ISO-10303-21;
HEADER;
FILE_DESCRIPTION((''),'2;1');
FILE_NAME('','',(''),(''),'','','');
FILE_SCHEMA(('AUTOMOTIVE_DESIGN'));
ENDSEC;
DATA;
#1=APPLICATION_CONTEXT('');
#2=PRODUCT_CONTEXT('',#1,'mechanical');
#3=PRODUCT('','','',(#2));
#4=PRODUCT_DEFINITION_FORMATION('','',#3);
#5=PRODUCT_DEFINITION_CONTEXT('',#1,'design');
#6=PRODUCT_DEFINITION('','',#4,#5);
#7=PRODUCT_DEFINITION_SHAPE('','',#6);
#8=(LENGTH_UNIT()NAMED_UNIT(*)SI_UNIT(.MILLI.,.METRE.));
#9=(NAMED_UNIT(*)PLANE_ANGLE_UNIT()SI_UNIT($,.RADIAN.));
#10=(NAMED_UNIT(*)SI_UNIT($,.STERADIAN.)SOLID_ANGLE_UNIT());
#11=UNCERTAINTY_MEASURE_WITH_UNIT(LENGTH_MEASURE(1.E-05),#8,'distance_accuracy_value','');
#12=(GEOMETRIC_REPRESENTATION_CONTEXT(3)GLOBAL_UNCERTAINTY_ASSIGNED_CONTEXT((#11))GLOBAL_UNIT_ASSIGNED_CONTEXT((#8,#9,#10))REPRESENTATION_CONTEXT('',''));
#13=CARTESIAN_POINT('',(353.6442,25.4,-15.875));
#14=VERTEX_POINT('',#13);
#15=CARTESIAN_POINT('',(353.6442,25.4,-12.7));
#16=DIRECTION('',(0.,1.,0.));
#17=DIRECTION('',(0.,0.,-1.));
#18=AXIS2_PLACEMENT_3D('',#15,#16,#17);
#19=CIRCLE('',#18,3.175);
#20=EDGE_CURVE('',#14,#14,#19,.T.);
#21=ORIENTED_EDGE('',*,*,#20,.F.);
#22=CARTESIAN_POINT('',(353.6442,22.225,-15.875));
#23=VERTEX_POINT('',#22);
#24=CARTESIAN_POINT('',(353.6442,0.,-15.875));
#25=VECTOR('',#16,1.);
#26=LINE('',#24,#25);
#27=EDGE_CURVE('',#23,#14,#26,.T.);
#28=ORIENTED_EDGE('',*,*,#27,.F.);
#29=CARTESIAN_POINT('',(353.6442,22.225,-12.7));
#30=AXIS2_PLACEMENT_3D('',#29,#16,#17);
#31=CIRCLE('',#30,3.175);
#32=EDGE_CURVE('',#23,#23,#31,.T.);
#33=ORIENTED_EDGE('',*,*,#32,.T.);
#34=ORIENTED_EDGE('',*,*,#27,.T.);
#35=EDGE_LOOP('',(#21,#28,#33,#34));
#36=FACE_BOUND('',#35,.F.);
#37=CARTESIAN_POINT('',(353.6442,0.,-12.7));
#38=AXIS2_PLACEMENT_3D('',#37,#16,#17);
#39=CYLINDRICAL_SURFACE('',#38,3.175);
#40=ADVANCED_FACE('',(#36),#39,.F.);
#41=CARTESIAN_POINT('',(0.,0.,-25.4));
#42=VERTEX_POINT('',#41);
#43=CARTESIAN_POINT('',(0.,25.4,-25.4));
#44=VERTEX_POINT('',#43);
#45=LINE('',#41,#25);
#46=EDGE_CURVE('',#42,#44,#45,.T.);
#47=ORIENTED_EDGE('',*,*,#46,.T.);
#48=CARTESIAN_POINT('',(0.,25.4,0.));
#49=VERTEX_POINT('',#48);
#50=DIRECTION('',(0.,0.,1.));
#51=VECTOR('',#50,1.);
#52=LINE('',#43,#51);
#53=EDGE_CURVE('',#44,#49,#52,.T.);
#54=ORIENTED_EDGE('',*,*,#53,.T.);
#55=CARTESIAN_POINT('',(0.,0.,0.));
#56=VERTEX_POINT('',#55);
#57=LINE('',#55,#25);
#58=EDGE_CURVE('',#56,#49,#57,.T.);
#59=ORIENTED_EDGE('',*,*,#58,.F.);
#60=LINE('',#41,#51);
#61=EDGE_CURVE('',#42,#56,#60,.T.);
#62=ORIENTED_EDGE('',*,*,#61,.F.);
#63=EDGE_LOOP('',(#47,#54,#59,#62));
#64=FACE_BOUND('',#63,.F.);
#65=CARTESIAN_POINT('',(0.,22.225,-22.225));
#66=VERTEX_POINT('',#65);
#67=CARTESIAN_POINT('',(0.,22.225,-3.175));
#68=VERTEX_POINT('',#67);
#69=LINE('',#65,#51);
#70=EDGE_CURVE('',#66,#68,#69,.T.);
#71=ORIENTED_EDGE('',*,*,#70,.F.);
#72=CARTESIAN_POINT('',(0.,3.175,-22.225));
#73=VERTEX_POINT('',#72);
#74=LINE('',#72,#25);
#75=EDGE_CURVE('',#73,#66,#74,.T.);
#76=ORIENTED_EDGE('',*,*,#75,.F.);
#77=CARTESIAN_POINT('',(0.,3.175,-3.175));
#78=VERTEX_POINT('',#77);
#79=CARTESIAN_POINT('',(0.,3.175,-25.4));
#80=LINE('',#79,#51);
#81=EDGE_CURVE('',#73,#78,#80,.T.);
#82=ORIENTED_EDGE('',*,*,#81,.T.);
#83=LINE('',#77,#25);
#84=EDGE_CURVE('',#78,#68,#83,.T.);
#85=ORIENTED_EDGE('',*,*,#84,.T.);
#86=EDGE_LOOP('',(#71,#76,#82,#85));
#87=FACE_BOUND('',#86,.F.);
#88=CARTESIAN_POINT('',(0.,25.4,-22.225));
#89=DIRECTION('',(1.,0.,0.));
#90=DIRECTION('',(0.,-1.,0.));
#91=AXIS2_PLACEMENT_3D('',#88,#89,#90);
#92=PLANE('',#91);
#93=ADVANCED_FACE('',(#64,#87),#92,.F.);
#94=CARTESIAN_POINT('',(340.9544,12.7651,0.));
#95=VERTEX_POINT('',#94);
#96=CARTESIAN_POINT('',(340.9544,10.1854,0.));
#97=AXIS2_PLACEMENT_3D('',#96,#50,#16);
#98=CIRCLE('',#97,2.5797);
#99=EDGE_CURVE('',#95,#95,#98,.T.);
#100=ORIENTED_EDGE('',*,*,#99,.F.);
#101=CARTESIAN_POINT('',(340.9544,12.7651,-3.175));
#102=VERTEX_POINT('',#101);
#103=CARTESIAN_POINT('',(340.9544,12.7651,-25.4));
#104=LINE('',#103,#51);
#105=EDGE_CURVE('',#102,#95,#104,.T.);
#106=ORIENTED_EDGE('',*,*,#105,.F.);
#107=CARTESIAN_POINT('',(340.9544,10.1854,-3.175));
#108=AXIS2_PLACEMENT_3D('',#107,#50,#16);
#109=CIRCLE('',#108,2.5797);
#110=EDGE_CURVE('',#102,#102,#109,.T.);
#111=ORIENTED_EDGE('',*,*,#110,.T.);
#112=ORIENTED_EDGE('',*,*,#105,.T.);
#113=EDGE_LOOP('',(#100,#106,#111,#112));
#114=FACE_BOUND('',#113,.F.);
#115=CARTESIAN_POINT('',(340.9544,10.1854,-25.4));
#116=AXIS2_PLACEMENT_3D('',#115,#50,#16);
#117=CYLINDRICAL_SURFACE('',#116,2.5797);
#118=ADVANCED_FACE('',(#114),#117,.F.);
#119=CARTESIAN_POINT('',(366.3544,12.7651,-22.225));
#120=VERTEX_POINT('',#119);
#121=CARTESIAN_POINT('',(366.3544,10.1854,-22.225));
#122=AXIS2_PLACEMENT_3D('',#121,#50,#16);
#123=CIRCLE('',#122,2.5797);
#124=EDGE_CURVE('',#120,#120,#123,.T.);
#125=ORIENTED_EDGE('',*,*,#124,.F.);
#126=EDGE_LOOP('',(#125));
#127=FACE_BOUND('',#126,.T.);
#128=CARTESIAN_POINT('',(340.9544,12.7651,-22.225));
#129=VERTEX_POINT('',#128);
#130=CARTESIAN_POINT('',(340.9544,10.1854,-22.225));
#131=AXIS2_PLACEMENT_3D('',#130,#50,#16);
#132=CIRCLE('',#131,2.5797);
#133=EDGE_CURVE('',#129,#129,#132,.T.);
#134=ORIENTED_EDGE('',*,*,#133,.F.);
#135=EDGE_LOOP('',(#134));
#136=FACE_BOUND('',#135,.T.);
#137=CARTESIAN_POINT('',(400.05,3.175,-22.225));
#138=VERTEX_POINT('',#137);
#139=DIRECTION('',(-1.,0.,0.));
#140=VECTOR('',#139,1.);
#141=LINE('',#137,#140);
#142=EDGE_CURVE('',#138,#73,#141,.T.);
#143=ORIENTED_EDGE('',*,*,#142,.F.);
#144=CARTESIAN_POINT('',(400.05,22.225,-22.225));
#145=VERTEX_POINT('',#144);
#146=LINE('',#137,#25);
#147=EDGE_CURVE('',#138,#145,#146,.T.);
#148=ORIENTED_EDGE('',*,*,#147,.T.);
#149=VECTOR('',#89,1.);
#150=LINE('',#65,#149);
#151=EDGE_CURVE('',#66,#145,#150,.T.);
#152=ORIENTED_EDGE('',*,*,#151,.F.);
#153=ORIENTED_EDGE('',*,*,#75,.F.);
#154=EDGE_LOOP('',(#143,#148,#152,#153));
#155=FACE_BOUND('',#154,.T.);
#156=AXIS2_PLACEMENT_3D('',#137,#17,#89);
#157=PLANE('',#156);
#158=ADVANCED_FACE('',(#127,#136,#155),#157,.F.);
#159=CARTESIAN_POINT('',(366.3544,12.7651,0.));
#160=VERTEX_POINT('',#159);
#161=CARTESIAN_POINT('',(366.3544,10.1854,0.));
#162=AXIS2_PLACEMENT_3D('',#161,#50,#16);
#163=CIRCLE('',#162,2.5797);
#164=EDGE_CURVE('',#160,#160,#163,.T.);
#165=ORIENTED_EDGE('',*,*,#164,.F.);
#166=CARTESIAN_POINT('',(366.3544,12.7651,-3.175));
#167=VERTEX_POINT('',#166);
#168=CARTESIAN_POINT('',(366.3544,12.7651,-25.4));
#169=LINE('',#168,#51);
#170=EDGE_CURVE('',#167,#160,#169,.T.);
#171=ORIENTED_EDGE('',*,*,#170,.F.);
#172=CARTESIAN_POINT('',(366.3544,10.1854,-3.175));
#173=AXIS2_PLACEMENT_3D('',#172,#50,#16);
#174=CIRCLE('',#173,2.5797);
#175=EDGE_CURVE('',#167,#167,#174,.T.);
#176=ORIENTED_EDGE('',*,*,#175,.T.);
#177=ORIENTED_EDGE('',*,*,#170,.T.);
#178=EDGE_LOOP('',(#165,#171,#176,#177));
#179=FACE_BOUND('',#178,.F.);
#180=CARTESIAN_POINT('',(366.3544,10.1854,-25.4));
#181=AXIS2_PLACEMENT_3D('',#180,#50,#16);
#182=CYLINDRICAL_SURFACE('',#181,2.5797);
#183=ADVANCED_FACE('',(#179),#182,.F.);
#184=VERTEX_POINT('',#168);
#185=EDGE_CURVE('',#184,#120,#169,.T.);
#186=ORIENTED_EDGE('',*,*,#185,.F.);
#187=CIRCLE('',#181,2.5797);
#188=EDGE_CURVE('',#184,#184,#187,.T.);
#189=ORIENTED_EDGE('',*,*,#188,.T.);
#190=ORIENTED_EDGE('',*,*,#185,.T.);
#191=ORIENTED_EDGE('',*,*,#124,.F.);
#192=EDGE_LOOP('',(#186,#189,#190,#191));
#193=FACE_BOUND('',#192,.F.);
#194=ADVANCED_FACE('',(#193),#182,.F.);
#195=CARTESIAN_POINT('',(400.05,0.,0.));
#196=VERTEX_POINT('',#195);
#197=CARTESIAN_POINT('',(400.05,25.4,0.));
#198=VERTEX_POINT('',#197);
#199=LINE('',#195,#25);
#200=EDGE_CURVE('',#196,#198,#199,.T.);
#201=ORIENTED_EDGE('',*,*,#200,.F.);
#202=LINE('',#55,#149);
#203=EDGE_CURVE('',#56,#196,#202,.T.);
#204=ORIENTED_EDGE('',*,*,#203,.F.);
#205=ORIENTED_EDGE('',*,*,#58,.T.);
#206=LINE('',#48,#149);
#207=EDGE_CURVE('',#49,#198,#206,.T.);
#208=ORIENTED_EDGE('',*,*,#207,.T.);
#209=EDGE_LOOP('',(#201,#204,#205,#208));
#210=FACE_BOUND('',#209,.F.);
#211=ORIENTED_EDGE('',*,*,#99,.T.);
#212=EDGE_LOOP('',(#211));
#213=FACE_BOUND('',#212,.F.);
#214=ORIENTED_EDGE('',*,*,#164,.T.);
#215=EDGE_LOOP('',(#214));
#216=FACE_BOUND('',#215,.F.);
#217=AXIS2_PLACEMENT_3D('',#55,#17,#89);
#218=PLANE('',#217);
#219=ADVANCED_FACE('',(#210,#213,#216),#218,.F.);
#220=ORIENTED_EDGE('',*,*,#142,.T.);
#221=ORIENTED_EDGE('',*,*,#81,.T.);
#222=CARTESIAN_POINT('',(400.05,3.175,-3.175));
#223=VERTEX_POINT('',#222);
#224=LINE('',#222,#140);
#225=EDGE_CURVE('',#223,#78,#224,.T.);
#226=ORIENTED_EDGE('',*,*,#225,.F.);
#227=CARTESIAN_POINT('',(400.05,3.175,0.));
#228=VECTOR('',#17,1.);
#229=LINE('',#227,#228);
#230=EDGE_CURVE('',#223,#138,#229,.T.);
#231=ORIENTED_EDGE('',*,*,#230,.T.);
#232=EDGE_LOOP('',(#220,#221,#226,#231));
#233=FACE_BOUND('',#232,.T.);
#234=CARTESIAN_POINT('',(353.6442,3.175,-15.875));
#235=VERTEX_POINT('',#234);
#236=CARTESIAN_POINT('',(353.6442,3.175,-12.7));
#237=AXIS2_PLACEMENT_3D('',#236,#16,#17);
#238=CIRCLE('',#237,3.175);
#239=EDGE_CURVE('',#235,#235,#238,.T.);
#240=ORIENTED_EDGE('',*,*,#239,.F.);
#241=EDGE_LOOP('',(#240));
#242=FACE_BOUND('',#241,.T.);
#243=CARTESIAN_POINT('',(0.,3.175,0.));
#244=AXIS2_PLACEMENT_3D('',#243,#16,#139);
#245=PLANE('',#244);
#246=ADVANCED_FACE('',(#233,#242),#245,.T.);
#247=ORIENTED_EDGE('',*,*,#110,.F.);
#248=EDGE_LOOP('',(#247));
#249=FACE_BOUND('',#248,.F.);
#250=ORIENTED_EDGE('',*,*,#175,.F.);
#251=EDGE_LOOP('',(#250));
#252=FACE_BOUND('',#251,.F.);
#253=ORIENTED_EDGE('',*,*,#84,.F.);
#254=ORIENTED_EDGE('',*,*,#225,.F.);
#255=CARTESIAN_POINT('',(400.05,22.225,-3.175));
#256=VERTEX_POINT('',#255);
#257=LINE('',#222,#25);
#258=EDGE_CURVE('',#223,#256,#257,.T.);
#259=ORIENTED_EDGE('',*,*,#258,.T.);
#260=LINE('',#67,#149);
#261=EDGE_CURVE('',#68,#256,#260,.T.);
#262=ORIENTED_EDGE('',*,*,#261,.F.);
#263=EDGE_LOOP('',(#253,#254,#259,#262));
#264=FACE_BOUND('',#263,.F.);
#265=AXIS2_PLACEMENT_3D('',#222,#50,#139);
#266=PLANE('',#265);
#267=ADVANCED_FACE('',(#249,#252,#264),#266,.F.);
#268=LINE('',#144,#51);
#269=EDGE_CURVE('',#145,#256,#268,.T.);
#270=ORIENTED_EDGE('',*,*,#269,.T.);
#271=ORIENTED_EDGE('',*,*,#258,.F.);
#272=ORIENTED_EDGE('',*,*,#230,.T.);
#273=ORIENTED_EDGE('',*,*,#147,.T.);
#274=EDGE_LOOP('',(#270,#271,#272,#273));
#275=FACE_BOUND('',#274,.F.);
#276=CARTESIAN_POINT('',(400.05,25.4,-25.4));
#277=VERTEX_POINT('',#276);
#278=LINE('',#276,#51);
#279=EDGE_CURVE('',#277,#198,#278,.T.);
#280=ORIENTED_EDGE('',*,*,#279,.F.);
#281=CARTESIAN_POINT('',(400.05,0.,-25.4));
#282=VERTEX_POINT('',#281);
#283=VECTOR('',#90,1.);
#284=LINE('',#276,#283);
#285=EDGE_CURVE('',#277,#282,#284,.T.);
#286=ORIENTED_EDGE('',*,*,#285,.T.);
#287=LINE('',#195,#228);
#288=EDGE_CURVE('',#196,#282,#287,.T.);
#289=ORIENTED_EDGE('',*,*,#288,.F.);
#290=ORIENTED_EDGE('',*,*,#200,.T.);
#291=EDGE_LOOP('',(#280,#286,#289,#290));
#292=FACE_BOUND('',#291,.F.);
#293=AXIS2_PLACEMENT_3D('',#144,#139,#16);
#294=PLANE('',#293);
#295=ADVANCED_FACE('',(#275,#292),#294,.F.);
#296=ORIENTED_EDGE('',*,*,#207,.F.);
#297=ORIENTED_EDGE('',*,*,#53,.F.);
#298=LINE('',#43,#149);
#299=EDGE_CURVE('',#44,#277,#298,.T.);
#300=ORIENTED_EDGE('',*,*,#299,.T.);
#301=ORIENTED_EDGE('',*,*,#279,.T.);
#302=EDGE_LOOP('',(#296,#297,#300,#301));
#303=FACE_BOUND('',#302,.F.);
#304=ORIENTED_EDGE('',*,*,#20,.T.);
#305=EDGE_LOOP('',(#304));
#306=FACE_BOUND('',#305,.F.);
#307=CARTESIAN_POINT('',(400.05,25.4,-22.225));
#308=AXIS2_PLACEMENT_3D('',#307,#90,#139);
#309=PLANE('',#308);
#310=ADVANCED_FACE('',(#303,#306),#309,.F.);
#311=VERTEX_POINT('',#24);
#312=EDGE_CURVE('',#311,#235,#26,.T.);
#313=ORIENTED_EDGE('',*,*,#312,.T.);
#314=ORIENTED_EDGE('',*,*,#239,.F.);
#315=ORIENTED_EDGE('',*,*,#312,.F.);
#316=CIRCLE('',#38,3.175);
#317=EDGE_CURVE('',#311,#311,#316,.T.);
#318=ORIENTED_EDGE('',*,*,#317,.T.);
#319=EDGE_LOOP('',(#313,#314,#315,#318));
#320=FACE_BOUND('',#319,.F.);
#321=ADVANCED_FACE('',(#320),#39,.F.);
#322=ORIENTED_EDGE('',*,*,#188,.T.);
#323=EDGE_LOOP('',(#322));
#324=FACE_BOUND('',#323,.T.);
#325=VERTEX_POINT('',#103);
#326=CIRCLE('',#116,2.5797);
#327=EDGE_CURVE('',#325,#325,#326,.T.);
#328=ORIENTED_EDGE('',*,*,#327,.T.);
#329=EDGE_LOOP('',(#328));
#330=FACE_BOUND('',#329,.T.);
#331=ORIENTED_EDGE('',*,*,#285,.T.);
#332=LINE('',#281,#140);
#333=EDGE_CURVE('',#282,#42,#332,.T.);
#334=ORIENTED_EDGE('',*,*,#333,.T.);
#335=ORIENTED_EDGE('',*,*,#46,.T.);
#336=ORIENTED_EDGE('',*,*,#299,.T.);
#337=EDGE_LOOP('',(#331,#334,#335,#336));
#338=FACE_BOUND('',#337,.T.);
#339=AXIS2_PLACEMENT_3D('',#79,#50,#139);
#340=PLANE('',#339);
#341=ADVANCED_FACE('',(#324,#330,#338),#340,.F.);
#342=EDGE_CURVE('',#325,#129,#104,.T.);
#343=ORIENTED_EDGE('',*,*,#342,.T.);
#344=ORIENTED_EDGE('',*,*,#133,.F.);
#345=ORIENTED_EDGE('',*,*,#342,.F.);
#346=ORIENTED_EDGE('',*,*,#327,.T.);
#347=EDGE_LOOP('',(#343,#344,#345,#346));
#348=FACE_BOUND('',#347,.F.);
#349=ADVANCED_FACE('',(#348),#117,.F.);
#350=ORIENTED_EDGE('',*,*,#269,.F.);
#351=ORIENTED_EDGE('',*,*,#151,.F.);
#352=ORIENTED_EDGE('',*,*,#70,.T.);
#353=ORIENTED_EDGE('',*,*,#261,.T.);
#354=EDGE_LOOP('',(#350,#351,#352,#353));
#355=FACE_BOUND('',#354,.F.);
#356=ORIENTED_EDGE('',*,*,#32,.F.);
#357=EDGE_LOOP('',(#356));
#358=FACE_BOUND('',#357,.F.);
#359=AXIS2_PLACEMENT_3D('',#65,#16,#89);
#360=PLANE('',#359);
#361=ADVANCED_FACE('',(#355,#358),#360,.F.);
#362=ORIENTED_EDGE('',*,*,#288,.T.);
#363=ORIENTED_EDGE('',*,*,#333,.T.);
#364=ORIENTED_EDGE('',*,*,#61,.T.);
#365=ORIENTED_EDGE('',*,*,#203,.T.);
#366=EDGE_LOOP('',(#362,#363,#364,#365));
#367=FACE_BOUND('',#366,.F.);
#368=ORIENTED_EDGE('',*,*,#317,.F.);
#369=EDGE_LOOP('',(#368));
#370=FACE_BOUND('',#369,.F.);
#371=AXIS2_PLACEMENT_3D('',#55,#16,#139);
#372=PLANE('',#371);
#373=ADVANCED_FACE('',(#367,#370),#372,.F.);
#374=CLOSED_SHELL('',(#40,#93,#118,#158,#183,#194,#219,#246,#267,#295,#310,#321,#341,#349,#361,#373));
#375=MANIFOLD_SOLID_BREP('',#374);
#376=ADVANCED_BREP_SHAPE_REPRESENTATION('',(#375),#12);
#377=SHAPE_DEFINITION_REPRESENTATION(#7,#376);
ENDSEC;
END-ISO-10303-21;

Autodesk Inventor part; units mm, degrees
ref_plane "YZ Plane" through (0, 0, 0) normal (1, 0, 0) x (0, 1, 0)
ref_plane "XZ Plane" through (0, 0, 0) normal (0, 1, 0) x (-1, 0, 0)
sketch "Sketch1" plane through (0, 0, 0) normal (0, 1, 0) x (-1, 0, 0)
  line L0 (0, 0) -> (-400.05, 0)
  line L1 (-400.05, 0) -> (-400.05, -25.4)
  line L2 (-400.05, -25.4) -> (0, -25.4)
  line L3 (0, -25.4) -> (0, 0)
  dimension "d0" = 400.05
  dimension "d1" = 25.4
extrude "Extrusion1" add sketch "Sketch1" along normal blind 3.175
ref_plane "Work Plane1" through (200.025, 0, 0) normal (1, 0, 0) x (0, 0, -1)
sketch "Sketch7" plane through (0, 3.175, 0) normal (0, 1, 0) x (1, 0, 0)
  line L0 (400.05, 0) -> (400.05, 25.4) projected
  line L1 (0, 0) -> (400.05, 0)
  line L2 (400.05, 0) -> (400.05, 3.175)
  line L3 (400.05, 3.175) -> (0, 3.175)
  line L4 (0, 3.175) -> (0, 0)
  dimension "d49" = 3.175
extrude "Extrusion2" add sketch "Sketch7" along normal blind 22.225
ref_plane "Work Plane2" through (0, 0, -12.7) normal (0, 0, 1) x (1, 0, 0)
mirror "Mirror2" about plane through (0, 0, -12.7) normal (0, 0, 1) of "Extrusion2"
sketch "Sketch8" plane through (0, 3.175, -22.225) normal (0, 0, 1) x (1, 0, 0)
  line L0 (400.05, 22.225) -> (0, 22.225) projected
  line L1 (400.05, 22.225) -> (0, 22.225)
  line L2 (0, 22.225) -> (0, 19.05)
  line L3 (0, 19.05) -> (400.05, 19.05)
  line L4 (400.05, 19.05) -> (400.05, 22.225)
  point P0 (0, -3.175)
  dimension "d52" = 400.05
  dimension "d53" = 3.175
extrude "Extrusion3" add sketch "Sketch8" along normal blind 19.05
ref_plane "Work Plane3" through (0, 12.7, 0) normal (0, -1, 0) x (1, 0, 0)
sketch "Sketch10" plane through (400.05, 0, -25.4) normal (0, 0, -1) x (-1, 0, 0)
  line L0 (0, 0) -> (400.05, 0) projected
  line L1 (0, 0) -> (0, 25.4) projected
  point P0 (59.0956, 10.1854)
  dimension "d61" = 10.1854
  dimension "d62" = 59.0956
sketch "Sketch11" plane through (400.05, 0, -25.4) normal (0, 0, -1) x (-1, 0, 0)
  line L0 (0, 0) -> (400.05, 0) projected
  line L1 (0, 0) -> (0, 25.4) projected
  point P0 (33.6956, 10.1854)
  dimension "d70" = 10.1854
  dimension "d71" = 33.6956
hole "Hole8" at (340.9544, 10.1854, -25.4) direction (0, 0, 1) diameter 5.1594 end through all
hole "Hole9" at (366.3544, 10.1854, -25.4) direction (0, 0, 1) diameter 5.1594 end through all
sketch "Sketch14" plane through (0, 0, 0) normal (0, -1, 0) x (1, 0, 0)
  line L0 (400.05, 0) -> (400.05, -25.4) projected
  line L1 (400.05, -25.4) -> (0, -25.4) projected
  point P0 (0, 0)
  point P1 (353.6442, -12.7)
  dimension "d97" = 46.4058
  dimension "d98" = 12.7
hole "Hole10" at (353.6442, 0, -12.7) direction (0, 1, 0) diameter 6.35 end through all
equation "\"d84\" = Thickness"
equation "\"d91\" = Thickness"
equation "\"d104\" = Thickness"
equation "\"BendRadius\" = Thickness"
equation "\"BendReliefWidth\" = Thickness"
equation "\"BendReliefDepth\" = 0.5 * Thickness"
equation "\"CornerReliefSize\" = 4 * Thickness"
equation "\"MinimumRemnant\" = 2 * Thickness"
equation "\"TransitionRadius\" = BendRadius"
equation "\"JacobiRadiusSize\" = BendRadius"
equation "\"GapSize\" = Thickness"
equation "\"Thickness\" = 3.048"
properties part number "Large crossbeam" material "Aluminum 6061"
